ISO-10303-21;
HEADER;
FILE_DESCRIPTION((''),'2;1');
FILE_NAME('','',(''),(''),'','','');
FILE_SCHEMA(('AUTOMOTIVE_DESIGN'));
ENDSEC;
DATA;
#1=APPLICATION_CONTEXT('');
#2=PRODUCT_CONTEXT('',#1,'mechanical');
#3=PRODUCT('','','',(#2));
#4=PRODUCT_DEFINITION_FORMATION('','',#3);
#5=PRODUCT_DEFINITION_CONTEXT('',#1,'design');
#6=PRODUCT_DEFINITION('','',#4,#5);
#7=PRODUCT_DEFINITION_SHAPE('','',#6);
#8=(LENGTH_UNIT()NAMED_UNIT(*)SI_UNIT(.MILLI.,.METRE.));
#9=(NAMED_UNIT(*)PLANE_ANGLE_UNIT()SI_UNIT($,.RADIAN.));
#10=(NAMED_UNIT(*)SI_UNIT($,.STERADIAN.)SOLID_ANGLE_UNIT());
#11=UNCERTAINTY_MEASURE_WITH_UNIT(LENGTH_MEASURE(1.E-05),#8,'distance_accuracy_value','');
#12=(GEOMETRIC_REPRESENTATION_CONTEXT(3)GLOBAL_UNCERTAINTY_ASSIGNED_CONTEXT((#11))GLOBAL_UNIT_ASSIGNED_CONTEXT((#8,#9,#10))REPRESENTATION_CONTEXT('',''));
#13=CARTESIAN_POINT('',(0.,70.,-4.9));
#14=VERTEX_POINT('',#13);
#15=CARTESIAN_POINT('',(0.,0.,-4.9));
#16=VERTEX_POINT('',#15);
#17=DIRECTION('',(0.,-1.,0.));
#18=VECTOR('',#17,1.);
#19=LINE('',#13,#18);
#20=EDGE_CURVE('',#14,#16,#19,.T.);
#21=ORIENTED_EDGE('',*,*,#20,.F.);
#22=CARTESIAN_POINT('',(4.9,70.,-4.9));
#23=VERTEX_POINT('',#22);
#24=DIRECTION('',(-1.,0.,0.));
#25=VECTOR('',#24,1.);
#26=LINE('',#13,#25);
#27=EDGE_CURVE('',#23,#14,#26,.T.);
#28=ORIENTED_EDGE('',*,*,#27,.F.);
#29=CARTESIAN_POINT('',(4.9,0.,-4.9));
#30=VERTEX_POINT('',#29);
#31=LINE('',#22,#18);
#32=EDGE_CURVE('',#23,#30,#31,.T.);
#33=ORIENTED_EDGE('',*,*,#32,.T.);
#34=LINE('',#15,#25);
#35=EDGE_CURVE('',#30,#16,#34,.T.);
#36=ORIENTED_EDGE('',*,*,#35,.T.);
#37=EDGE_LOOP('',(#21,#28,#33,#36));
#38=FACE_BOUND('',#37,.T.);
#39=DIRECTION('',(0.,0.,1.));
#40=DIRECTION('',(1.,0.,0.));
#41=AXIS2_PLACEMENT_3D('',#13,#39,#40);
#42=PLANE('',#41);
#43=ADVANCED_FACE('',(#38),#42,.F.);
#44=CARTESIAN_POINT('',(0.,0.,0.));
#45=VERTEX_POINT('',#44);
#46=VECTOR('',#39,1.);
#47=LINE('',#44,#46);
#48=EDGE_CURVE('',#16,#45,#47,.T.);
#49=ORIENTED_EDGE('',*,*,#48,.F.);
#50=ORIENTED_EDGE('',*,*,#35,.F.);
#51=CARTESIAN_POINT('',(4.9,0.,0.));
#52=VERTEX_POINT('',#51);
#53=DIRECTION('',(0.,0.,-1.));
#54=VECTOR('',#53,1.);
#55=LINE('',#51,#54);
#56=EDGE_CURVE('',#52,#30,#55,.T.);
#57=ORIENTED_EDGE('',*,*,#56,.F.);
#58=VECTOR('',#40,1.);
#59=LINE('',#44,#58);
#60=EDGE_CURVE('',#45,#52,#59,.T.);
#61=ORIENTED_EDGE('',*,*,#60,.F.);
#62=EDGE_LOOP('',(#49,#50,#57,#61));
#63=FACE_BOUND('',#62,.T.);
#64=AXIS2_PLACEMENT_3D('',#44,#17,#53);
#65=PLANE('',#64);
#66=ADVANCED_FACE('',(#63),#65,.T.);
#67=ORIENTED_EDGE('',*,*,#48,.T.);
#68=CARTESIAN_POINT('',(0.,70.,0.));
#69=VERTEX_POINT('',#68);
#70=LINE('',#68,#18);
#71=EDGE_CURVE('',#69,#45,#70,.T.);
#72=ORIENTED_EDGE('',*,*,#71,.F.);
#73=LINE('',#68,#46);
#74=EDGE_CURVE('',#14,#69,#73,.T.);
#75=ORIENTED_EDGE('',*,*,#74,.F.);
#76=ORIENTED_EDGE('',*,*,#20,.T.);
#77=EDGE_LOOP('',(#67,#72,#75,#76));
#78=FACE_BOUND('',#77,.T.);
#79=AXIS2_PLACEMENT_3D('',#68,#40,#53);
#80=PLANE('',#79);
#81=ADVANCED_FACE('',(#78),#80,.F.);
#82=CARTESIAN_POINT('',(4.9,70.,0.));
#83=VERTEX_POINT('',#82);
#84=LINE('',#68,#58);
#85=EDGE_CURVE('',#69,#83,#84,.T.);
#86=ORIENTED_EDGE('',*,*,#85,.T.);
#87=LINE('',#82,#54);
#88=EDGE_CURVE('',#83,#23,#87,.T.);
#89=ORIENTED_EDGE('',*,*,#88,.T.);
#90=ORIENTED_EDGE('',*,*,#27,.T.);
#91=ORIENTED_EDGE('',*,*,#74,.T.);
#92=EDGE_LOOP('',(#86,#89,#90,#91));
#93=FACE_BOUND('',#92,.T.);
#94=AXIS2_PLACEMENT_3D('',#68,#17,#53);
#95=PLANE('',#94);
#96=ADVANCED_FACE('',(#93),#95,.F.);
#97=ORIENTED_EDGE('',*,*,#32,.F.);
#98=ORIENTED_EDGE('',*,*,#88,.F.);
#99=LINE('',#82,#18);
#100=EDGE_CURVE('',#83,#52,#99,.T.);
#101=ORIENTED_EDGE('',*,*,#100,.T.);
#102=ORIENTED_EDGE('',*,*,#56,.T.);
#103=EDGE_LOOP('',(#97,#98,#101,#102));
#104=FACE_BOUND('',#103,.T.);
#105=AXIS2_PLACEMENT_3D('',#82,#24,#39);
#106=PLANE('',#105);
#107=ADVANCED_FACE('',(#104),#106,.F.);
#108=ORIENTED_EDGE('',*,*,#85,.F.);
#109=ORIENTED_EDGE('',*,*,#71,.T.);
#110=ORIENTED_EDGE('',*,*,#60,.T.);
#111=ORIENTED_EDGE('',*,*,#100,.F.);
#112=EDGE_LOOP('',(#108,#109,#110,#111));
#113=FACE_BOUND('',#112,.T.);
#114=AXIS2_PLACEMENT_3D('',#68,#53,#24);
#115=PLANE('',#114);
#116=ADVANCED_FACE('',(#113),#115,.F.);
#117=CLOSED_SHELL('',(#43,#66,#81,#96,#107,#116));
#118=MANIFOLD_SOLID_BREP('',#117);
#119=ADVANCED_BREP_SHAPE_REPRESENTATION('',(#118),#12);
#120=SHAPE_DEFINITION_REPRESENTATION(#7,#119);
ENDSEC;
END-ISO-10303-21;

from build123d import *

# Parameters (mm, degrees)
SKETCH1_W           = 4.9
SKETCH1_H           = 4.9
BOSS_EXTRUDE1_DEPTH = 70


with BuildPart() as part:
    # Sketch1 → Boss-Extrude1 (new body)
    with BuildSketch(Plane(origin=(0, 0, 0), x_dir=(1, 0, 0), z_dir=(0, 1, 0))):
        with Locations((2.45, 2.45)):
            Rectangle(SKETCH1_W, SKETCH1_H)
    extrude(amount=BOSS_EXTRUDE1_DEPTH)


solid = part.part
